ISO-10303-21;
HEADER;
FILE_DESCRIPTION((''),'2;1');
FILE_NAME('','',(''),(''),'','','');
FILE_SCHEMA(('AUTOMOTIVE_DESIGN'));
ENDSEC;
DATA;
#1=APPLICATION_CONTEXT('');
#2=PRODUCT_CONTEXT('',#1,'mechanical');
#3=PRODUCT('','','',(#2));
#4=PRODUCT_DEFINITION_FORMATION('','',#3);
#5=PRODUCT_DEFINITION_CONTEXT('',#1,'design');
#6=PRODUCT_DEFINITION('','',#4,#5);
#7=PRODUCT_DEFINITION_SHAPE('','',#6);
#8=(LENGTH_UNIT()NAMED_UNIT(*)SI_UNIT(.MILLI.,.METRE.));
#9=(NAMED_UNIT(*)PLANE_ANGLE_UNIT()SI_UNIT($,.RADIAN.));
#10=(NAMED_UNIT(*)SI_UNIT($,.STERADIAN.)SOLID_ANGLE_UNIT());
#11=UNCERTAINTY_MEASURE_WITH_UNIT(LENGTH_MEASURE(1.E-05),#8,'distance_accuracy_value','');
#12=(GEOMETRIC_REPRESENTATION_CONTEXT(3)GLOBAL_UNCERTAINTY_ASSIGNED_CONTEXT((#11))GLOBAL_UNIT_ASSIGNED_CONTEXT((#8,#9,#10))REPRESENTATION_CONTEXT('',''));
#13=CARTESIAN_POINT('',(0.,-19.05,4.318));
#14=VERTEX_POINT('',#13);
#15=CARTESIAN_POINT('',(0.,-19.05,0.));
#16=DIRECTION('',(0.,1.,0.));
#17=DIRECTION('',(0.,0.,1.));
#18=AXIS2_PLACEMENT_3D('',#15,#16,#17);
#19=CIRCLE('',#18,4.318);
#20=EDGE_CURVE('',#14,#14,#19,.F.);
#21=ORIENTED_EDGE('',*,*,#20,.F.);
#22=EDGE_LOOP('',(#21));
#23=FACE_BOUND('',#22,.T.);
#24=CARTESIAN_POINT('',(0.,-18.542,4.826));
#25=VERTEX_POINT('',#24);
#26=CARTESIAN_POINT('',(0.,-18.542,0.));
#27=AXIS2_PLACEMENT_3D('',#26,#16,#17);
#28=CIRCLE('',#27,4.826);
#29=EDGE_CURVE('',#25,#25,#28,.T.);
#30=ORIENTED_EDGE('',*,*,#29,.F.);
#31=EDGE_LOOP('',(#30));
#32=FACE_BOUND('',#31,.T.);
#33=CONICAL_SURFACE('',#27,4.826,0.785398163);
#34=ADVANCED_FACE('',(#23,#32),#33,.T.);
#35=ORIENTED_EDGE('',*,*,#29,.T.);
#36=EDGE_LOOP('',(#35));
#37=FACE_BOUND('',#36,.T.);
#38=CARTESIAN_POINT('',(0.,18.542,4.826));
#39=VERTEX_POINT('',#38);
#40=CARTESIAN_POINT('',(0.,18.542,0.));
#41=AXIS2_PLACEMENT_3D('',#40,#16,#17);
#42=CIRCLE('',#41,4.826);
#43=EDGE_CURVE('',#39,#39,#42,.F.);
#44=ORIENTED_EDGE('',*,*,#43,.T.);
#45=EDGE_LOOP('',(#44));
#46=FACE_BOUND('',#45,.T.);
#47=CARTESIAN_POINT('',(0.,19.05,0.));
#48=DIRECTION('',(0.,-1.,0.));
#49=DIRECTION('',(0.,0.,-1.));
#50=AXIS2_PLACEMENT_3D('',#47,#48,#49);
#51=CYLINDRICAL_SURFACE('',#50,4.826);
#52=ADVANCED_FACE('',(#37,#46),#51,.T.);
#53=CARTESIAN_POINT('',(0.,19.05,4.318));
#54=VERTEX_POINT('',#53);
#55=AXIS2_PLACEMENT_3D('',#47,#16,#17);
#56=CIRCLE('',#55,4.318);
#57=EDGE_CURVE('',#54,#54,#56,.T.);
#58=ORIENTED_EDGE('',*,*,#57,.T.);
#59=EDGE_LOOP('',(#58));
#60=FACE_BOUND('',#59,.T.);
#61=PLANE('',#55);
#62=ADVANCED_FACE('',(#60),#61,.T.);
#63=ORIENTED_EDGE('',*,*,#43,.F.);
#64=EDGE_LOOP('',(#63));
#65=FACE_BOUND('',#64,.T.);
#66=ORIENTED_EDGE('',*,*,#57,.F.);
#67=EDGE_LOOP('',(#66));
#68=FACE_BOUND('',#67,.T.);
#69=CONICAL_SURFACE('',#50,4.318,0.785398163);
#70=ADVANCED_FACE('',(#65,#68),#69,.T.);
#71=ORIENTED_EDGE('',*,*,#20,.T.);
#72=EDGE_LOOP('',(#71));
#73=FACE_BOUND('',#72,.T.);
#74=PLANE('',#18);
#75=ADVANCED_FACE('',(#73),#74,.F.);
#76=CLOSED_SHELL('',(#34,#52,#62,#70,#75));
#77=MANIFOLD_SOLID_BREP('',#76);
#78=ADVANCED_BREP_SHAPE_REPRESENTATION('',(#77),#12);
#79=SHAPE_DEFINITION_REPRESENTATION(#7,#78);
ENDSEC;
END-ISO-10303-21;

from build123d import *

# Parameters (mm, degrees)
SKETCH2_R           = 4.826
BOSS_EXTRUDE1_DEPTH = 19.05
CHAMFER1_SIZE       = 0.508


with BuildPart() as part:
    # Sketch2 → Boss-Extrude1 (new body, symmetric)
    with BuildSketch(Plane(origin=(0, 0, 0), x_dir=(1, 0, 0), z_dir=(0, 1, 0))):
        Circle(SKETCH2_R)
    extrude(amount=BOSS_EXTRUDE1_DEPTH, both=True)

    # Chamfer1
    chamfer1_edges = [part.edges().sort_by_distance(p)[0] for p in [
        (-4.826, -19.05, 0),
        (-4.826, 19.05, 0),
    ]]
    chamfer(chamfer1_edges, length=CHAMFER1_SIZE)


solid = part.part
